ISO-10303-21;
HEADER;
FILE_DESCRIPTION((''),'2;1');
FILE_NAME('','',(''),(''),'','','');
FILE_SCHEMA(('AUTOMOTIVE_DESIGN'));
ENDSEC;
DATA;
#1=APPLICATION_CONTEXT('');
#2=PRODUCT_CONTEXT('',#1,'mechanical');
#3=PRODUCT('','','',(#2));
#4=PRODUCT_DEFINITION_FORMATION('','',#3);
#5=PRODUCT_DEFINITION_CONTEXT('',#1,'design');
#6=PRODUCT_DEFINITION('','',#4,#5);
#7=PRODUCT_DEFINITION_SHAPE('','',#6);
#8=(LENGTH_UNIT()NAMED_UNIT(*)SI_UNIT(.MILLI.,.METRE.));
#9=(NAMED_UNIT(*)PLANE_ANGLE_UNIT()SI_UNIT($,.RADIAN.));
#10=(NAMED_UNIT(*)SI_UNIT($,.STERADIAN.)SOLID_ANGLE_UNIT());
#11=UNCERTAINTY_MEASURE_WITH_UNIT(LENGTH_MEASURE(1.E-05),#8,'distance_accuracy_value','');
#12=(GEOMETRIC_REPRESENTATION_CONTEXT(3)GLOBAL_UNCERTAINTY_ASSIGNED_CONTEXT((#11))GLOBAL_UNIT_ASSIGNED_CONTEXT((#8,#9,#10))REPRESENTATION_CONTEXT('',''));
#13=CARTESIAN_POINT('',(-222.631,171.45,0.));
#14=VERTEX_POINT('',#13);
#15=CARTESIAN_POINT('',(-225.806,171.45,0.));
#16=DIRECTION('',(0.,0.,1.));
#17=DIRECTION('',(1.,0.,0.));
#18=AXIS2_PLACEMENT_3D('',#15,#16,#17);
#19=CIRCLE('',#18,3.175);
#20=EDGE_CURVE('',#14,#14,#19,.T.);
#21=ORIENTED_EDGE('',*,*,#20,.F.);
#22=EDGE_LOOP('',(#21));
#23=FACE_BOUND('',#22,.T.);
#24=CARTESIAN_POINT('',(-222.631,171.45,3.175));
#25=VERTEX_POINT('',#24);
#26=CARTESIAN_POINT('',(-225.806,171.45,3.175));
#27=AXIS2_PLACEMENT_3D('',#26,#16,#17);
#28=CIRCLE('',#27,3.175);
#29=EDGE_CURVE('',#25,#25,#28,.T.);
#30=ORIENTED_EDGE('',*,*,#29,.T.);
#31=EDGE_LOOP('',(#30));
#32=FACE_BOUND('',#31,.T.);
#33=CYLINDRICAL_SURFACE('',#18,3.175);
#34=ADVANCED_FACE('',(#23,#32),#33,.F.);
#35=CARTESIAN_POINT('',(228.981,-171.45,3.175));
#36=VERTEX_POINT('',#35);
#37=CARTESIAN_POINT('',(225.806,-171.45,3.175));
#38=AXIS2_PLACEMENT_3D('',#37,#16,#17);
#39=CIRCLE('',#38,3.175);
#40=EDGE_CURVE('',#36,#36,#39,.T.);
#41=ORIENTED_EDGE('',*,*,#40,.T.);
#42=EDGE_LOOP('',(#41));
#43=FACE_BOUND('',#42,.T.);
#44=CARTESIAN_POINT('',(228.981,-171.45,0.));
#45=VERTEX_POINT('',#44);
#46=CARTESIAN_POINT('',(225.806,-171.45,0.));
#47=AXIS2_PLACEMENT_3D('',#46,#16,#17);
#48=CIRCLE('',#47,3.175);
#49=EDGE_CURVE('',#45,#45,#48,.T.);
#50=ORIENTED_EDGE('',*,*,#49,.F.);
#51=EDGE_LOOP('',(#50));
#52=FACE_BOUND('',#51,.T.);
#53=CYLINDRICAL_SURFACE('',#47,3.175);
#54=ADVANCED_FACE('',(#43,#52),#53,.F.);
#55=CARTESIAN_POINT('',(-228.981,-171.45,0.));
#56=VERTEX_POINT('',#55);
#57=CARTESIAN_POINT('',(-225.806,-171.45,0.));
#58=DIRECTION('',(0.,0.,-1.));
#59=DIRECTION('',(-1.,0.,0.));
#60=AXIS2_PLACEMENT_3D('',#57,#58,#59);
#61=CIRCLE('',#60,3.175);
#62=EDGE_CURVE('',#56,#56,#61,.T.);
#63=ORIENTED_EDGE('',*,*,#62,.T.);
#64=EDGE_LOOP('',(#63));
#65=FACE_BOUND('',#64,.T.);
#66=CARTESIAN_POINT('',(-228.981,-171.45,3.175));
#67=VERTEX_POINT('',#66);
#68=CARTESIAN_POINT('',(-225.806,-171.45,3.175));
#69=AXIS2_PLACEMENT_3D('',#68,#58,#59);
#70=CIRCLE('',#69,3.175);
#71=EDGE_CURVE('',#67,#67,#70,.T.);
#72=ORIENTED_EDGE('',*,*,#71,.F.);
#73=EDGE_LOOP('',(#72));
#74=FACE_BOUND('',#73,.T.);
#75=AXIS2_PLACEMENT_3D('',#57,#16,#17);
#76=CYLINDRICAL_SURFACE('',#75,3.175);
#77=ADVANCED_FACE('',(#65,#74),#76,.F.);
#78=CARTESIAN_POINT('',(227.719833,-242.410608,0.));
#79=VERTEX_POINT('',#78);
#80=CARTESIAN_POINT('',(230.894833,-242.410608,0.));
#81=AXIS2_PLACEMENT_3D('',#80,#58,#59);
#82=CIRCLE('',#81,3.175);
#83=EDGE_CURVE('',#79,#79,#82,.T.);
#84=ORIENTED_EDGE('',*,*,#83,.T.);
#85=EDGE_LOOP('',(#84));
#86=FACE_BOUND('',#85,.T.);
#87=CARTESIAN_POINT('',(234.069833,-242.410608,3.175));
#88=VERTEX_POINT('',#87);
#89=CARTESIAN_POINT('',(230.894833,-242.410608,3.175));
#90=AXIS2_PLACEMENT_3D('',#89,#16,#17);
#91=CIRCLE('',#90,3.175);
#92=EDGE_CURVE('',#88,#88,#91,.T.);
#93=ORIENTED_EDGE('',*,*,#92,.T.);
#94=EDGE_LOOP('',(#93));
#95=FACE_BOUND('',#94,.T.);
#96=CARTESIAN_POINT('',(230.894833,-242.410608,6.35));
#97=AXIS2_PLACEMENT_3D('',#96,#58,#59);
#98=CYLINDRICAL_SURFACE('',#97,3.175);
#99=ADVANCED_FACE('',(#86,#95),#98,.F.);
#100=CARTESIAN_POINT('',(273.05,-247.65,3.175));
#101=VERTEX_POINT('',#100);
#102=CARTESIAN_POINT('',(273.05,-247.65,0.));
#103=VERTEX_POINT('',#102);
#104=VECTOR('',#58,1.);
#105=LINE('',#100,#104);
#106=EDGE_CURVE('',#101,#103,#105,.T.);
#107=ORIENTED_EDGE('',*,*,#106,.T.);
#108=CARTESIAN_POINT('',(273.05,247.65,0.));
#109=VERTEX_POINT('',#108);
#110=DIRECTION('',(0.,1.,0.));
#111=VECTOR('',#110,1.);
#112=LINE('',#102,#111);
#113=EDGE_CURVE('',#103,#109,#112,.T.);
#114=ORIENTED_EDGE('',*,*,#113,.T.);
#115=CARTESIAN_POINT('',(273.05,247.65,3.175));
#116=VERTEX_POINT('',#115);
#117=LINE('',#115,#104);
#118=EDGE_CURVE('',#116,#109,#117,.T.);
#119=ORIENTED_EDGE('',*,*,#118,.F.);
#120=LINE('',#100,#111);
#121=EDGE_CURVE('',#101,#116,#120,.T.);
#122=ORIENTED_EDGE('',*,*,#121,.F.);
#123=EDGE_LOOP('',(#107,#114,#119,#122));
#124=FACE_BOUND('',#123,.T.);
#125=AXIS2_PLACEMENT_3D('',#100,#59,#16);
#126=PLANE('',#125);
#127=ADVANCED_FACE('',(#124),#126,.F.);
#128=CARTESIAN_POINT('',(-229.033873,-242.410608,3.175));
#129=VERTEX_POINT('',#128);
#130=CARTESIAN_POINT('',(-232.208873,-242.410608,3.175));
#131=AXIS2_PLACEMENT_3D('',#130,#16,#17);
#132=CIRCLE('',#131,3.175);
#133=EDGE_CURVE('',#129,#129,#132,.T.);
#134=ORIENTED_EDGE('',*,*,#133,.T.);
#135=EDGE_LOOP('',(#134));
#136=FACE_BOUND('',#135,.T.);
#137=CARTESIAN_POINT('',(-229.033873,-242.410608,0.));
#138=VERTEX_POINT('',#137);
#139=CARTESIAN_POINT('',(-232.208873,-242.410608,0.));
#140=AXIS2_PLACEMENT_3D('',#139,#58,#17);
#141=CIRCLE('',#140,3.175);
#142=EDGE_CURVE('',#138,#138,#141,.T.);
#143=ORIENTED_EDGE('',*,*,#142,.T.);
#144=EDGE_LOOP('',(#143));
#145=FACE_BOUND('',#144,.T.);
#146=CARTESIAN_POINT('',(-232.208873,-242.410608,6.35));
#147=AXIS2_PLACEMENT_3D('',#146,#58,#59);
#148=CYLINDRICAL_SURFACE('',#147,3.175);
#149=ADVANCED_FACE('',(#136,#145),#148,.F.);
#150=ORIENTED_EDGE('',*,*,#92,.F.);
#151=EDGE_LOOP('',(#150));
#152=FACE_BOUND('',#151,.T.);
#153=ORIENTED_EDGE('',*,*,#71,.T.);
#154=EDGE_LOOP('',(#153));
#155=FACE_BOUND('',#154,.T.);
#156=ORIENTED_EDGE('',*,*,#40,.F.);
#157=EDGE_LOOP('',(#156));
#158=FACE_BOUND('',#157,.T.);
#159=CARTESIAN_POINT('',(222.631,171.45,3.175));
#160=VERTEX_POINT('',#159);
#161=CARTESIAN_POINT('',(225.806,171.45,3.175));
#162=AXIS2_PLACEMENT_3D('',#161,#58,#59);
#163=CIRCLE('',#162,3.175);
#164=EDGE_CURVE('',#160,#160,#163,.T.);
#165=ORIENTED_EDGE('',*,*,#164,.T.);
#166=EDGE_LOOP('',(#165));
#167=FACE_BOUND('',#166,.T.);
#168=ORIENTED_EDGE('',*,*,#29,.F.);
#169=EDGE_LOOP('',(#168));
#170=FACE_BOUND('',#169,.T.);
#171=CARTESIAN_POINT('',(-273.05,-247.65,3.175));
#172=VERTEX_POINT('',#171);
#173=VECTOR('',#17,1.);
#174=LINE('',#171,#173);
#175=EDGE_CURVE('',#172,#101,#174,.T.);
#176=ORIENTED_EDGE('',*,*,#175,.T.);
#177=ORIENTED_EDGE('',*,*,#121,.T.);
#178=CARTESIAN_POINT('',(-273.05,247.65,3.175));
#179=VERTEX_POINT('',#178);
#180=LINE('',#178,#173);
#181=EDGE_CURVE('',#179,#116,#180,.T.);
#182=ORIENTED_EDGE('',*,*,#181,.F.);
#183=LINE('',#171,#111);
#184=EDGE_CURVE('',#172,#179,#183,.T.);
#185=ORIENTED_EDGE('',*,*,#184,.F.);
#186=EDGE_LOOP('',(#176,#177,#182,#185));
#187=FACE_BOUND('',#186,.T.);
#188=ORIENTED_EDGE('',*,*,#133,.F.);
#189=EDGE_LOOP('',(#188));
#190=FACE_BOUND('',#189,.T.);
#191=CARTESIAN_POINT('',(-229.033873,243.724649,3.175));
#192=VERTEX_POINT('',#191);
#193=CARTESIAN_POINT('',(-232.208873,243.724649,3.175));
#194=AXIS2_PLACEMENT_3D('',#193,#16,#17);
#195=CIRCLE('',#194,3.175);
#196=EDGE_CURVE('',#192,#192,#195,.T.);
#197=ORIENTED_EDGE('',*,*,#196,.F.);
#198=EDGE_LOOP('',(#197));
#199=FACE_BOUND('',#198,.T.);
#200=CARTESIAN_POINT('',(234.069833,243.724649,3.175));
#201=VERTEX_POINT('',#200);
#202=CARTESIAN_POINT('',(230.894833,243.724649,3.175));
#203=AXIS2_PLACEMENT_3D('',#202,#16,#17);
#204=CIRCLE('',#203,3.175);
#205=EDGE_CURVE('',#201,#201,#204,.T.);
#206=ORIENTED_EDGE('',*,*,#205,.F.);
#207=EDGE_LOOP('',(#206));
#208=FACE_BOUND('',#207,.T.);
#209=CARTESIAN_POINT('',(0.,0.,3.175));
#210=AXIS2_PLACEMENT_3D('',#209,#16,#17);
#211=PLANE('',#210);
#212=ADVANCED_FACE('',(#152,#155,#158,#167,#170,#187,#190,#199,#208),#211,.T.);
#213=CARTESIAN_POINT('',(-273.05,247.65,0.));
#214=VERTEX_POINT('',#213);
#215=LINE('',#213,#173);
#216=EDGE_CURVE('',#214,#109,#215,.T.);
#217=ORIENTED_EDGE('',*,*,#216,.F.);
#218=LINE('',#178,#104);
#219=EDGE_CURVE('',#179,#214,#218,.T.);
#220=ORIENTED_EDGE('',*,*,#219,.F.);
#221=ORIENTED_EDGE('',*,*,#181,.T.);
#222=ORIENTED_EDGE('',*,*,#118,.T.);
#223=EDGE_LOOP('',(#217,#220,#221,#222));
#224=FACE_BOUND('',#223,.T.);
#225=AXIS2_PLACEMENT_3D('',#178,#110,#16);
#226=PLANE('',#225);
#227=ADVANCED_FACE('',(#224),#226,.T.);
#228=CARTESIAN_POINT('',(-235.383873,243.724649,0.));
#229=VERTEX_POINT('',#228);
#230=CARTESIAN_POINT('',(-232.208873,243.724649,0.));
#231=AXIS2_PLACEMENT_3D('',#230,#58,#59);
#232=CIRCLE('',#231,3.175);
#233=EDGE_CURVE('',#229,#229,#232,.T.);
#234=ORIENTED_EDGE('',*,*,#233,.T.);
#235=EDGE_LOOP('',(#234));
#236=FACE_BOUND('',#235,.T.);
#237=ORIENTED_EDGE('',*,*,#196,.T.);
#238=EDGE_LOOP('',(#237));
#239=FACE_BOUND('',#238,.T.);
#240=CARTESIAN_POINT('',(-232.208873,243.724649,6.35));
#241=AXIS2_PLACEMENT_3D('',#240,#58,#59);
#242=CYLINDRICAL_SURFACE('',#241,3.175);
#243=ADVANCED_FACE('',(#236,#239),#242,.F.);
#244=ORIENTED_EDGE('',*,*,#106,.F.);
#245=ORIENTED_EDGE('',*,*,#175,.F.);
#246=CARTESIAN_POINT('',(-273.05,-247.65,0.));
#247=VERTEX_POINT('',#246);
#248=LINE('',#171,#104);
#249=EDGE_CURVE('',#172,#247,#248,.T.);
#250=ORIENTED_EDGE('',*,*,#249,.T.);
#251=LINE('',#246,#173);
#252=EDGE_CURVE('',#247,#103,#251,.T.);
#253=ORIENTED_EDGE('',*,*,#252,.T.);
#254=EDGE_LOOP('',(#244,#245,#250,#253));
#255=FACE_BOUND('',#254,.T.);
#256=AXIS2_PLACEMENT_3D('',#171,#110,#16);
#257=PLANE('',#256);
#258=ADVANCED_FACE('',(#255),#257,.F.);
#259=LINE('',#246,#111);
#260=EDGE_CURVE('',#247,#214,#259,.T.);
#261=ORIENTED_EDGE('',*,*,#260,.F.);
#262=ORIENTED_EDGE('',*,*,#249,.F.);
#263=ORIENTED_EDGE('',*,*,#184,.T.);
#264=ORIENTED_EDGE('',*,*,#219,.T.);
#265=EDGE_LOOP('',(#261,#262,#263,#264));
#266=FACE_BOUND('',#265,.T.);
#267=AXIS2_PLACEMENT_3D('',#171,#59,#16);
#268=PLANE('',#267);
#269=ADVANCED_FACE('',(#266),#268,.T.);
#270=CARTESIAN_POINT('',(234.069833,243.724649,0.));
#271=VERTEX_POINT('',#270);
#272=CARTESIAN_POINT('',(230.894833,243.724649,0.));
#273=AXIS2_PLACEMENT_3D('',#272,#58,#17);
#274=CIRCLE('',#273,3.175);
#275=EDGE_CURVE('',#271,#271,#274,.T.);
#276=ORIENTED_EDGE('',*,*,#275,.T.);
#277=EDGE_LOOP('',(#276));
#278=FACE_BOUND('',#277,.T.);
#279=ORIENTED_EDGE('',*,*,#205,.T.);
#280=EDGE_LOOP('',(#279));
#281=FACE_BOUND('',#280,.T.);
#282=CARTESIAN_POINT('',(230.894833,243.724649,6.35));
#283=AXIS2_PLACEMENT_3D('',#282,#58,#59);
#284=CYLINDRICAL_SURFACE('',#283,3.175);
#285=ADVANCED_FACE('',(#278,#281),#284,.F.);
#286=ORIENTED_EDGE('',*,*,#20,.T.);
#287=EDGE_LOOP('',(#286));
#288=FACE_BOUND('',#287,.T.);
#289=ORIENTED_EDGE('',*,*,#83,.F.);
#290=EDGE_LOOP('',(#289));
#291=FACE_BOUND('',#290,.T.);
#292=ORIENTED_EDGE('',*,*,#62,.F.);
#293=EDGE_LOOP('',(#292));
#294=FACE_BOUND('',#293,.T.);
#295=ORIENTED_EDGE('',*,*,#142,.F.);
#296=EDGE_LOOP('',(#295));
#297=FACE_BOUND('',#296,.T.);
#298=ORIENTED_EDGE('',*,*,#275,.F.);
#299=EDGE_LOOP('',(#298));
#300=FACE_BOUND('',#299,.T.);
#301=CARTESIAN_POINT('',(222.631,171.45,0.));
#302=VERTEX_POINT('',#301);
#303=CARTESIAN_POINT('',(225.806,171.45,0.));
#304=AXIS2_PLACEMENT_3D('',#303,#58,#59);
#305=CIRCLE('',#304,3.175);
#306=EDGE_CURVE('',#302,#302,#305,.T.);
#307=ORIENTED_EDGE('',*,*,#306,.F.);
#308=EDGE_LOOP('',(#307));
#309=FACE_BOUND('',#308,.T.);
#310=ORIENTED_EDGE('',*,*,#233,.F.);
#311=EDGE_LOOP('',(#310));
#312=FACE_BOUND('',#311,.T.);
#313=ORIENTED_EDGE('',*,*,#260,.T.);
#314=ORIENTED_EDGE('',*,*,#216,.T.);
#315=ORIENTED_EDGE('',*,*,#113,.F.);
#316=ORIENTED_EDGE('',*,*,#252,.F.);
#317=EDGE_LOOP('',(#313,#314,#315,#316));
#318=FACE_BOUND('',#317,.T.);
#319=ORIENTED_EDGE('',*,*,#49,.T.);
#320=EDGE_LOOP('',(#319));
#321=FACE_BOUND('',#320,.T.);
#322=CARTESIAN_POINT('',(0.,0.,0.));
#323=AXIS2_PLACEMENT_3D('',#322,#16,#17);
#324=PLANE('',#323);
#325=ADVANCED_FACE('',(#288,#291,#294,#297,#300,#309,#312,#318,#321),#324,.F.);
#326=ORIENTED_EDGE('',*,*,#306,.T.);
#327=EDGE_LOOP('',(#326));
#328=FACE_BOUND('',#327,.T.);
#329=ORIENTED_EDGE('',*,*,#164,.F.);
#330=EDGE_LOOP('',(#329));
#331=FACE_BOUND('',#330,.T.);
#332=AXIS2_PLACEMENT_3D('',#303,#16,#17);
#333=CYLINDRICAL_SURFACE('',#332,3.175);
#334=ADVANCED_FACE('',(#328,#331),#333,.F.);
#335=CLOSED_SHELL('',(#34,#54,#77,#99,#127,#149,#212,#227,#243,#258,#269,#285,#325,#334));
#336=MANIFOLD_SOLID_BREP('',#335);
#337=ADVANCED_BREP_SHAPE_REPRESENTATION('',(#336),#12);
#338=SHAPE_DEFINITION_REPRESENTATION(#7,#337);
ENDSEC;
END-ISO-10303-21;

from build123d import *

# Parameters (mm, degrees)
SKETCH1_W           = 546.1
SKETCH1_H           = 495.3
BOSS_EXTRUDE1_DEPTH = 3.175
SKETCH3_R           = 3.175
CUT_EXTRUDE2_DEPTH  = 3.175
SKETCH6_R           = 3.175
CUT_EXTRUDE3_DEPTH  = 6.35


with BuildPart() as part:
    # Sketch1 → Boss-Extrude1 (new body)
    with BuildSketch(Plane.XY):
        Rectangle(SKETCH1_W, SKETCH1_H)
    extrude(amount=BOSS_EXTRUDE1_DEPTH)

    # Sketch3 → Cut-Extrude2 (cut)
    with BuildSketch(Plane.XY.offset(3.175)):
        with Locations((-225.806, 171.45)):
            Circle(SKETCH3_R)
        with Locations(Location((225.806, 171.45, 0), (0, 0, 180))):
            Circle(SKETCH3_R)
        with Locations((225.806, -171.45)):
            Circle(SKETCH3_R)
        with Locations(Location((-225.806, -171.45, 0), (0, 0, 180))):
            Circle(SKETCH3_R)
    extrude(amount=-CUT_EXTRUDE2_DEPTH, mode=Mode.SUBTRACT)

    # Sketch6 → Cut-Extrude3 (cut)
    with BuildSketch(Plane(origin=(0, 0, 0), x_dir=(-1, 0, 0), z_dir=(0, 0, -1))):
        with Locations((-230.894832538, -242.410608142)):
            Circle(SKETCH6_R)
        with Locations(Location((-230.894832538, 243.724649044, 0), (0, 0, 180))):
            Circle(SKETCH6_R)
        with Locations(Location((232.20887344, -242.410608142, 0), (0, 0, 180))):
            Circle(SKETCH6_R)
        with Locations((232.20887344, 243.724649044)):
            Circle(SKETCH6_R)
    extrude(amount=-CUT_EXTRUDE3_DEPTH, mode=Mode.SUBTRACT)


solid = part.part
